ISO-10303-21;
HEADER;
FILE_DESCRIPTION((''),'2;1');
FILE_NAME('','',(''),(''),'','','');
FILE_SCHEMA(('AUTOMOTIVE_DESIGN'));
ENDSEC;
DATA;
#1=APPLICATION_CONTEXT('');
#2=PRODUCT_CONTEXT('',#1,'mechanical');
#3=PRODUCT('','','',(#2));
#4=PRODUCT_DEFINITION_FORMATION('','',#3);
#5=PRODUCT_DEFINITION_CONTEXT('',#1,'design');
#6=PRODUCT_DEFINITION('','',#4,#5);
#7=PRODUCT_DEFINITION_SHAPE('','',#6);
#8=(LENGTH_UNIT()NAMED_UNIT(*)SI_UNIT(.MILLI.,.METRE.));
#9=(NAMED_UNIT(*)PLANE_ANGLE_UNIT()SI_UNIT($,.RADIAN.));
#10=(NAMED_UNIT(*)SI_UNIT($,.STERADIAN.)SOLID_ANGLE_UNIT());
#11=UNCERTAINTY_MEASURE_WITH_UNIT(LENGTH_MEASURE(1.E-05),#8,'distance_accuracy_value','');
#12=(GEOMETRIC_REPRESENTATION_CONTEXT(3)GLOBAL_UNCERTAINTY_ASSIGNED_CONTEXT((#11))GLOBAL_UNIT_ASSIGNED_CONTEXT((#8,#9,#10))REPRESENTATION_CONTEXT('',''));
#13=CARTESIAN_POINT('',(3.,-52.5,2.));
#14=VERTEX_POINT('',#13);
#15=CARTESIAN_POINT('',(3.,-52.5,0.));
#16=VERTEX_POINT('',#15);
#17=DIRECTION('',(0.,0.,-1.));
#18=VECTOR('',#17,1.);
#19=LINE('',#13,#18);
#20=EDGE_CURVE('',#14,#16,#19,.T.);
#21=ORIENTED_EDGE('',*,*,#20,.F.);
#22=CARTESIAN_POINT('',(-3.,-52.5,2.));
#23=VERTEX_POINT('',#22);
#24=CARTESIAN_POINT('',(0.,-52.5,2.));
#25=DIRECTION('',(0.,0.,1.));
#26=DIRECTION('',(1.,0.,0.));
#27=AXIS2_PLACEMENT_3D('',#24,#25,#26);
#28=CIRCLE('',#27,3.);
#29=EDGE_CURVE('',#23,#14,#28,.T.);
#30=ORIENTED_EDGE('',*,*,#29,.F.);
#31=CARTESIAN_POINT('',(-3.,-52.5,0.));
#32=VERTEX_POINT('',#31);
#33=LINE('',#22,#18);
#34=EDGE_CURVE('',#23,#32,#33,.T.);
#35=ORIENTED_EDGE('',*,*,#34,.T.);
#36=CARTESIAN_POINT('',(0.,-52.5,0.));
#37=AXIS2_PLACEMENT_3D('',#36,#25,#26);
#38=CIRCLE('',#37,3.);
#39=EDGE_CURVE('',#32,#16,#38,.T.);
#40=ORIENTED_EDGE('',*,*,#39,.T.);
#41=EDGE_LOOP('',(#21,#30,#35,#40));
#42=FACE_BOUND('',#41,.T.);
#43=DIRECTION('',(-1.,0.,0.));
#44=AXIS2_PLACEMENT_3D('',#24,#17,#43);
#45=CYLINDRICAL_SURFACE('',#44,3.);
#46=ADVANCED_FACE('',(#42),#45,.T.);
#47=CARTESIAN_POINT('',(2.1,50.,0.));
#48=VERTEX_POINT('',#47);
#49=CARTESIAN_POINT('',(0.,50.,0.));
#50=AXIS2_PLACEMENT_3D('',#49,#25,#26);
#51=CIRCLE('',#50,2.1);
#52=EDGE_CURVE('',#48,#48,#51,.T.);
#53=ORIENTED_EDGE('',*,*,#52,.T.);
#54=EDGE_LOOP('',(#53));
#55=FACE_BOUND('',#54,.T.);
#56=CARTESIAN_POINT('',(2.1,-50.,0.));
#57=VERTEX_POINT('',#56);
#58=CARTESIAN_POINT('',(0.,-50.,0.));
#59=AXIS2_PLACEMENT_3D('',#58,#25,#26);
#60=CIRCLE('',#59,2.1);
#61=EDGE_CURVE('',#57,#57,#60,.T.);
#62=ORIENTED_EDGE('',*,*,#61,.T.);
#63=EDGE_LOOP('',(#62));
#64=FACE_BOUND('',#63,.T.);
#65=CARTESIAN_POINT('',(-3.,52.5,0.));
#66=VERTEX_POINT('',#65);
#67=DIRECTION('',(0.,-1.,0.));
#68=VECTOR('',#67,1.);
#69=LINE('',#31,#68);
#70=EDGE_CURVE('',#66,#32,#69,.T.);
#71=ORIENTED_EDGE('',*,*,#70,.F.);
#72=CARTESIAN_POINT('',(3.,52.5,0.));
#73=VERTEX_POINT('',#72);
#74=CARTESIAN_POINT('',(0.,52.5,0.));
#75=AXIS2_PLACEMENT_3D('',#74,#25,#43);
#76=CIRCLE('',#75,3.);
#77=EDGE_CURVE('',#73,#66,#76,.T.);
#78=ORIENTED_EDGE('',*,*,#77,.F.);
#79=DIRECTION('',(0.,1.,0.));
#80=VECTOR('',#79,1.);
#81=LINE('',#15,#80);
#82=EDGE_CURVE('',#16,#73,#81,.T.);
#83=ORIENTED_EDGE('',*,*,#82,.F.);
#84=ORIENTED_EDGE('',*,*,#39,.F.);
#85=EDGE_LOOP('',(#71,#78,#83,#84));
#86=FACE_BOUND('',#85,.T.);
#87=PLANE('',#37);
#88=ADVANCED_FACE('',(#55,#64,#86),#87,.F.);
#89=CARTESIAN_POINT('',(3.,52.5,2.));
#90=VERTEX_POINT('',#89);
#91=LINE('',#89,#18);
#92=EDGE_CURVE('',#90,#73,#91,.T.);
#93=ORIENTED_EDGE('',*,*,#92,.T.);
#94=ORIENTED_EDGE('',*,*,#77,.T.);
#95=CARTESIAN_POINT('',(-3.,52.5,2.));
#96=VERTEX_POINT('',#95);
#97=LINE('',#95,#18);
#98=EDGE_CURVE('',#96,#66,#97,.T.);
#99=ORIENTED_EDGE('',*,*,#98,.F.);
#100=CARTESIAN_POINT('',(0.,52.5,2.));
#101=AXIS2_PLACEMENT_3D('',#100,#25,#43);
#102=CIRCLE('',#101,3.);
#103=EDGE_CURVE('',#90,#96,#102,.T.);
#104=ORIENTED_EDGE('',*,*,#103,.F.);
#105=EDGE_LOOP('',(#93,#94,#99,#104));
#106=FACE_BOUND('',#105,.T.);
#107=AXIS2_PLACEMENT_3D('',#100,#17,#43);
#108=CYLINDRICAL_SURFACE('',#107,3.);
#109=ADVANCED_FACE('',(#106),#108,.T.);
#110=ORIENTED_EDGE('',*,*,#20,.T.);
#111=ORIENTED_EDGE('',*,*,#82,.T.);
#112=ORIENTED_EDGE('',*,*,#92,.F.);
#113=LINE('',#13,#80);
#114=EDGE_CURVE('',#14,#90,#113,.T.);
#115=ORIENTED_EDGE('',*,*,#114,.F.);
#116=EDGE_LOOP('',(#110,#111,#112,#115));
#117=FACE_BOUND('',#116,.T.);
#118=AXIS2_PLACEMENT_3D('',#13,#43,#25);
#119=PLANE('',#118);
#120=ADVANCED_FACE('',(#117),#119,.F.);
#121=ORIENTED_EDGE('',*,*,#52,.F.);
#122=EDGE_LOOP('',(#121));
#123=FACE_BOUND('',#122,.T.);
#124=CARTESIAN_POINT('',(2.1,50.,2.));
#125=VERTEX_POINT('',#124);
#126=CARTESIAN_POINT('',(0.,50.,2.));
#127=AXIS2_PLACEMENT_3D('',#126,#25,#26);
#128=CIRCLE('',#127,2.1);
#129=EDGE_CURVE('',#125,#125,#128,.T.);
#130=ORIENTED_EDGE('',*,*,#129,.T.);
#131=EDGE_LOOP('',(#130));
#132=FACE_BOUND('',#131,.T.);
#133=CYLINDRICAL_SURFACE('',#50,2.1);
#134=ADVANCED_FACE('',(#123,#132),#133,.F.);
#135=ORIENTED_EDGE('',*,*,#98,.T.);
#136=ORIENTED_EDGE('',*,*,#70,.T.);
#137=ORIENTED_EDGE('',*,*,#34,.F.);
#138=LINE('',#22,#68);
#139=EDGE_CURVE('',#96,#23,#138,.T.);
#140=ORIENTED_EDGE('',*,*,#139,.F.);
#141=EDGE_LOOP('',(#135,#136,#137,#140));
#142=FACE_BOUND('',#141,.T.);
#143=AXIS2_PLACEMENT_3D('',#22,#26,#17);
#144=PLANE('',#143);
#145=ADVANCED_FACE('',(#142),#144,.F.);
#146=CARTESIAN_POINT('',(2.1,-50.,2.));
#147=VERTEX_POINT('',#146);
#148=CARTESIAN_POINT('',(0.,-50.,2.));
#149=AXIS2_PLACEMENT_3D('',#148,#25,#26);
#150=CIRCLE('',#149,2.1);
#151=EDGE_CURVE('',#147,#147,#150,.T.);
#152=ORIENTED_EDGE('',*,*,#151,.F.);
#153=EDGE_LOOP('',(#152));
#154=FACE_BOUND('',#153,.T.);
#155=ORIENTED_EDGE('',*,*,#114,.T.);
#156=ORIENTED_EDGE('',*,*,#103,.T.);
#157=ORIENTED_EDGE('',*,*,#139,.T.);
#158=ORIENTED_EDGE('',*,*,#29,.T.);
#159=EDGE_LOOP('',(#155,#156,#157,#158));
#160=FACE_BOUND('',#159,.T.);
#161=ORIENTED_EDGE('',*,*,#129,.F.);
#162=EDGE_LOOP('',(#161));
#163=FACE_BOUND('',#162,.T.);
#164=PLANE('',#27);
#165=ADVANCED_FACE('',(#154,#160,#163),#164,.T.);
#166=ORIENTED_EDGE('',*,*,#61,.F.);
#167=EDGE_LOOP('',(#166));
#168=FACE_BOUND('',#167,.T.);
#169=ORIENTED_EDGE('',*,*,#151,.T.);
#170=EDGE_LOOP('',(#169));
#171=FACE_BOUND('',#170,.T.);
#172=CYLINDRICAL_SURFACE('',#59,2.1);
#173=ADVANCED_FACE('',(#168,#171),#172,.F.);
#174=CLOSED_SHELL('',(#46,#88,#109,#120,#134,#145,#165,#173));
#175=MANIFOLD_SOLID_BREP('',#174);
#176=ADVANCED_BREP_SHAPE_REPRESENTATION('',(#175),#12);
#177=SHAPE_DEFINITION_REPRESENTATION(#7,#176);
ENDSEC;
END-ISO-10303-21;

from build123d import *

# Parameters (mm, degrees)
EXTRUDE_1_DEPTH     = 2
SKETCH_2_R          = 2.1
CUT_EXTRUDE_1_DEPTH = 3


with BuildPart() as part:
    # 草圖1 → 填料-伸長1 (new body)
    with BuildSketch(Plane.XY):
        with BuildLine():
            Line((-3, -52.5), (-3, 52.5))
            ThreePointArc((-3, 52.5), (0, 55.5), (3, 52.5))
            Line((3, 52.5), (3, -52.5))
            ThreePointArc((3, -52.5), (0, -55.5), (-3, -52.5))
        make_face()
    extrude(amount=EXTRUDE_1_DEPTH)

    # 草圖2 → 除料-伸長1 (cut, through all)
    with BuildSketch(Plane.XY.offset(2)):
        with Locations((0, 50)):
            Circle(SKETCH_2_R)
        with Locations((0, -50)):
            Circle(SKETCH_2_R)
    extrude(amount=-CUT_EXTRUDE_1_DEPTH, mode=Mode.SUBTRACT)


solid = part.part
